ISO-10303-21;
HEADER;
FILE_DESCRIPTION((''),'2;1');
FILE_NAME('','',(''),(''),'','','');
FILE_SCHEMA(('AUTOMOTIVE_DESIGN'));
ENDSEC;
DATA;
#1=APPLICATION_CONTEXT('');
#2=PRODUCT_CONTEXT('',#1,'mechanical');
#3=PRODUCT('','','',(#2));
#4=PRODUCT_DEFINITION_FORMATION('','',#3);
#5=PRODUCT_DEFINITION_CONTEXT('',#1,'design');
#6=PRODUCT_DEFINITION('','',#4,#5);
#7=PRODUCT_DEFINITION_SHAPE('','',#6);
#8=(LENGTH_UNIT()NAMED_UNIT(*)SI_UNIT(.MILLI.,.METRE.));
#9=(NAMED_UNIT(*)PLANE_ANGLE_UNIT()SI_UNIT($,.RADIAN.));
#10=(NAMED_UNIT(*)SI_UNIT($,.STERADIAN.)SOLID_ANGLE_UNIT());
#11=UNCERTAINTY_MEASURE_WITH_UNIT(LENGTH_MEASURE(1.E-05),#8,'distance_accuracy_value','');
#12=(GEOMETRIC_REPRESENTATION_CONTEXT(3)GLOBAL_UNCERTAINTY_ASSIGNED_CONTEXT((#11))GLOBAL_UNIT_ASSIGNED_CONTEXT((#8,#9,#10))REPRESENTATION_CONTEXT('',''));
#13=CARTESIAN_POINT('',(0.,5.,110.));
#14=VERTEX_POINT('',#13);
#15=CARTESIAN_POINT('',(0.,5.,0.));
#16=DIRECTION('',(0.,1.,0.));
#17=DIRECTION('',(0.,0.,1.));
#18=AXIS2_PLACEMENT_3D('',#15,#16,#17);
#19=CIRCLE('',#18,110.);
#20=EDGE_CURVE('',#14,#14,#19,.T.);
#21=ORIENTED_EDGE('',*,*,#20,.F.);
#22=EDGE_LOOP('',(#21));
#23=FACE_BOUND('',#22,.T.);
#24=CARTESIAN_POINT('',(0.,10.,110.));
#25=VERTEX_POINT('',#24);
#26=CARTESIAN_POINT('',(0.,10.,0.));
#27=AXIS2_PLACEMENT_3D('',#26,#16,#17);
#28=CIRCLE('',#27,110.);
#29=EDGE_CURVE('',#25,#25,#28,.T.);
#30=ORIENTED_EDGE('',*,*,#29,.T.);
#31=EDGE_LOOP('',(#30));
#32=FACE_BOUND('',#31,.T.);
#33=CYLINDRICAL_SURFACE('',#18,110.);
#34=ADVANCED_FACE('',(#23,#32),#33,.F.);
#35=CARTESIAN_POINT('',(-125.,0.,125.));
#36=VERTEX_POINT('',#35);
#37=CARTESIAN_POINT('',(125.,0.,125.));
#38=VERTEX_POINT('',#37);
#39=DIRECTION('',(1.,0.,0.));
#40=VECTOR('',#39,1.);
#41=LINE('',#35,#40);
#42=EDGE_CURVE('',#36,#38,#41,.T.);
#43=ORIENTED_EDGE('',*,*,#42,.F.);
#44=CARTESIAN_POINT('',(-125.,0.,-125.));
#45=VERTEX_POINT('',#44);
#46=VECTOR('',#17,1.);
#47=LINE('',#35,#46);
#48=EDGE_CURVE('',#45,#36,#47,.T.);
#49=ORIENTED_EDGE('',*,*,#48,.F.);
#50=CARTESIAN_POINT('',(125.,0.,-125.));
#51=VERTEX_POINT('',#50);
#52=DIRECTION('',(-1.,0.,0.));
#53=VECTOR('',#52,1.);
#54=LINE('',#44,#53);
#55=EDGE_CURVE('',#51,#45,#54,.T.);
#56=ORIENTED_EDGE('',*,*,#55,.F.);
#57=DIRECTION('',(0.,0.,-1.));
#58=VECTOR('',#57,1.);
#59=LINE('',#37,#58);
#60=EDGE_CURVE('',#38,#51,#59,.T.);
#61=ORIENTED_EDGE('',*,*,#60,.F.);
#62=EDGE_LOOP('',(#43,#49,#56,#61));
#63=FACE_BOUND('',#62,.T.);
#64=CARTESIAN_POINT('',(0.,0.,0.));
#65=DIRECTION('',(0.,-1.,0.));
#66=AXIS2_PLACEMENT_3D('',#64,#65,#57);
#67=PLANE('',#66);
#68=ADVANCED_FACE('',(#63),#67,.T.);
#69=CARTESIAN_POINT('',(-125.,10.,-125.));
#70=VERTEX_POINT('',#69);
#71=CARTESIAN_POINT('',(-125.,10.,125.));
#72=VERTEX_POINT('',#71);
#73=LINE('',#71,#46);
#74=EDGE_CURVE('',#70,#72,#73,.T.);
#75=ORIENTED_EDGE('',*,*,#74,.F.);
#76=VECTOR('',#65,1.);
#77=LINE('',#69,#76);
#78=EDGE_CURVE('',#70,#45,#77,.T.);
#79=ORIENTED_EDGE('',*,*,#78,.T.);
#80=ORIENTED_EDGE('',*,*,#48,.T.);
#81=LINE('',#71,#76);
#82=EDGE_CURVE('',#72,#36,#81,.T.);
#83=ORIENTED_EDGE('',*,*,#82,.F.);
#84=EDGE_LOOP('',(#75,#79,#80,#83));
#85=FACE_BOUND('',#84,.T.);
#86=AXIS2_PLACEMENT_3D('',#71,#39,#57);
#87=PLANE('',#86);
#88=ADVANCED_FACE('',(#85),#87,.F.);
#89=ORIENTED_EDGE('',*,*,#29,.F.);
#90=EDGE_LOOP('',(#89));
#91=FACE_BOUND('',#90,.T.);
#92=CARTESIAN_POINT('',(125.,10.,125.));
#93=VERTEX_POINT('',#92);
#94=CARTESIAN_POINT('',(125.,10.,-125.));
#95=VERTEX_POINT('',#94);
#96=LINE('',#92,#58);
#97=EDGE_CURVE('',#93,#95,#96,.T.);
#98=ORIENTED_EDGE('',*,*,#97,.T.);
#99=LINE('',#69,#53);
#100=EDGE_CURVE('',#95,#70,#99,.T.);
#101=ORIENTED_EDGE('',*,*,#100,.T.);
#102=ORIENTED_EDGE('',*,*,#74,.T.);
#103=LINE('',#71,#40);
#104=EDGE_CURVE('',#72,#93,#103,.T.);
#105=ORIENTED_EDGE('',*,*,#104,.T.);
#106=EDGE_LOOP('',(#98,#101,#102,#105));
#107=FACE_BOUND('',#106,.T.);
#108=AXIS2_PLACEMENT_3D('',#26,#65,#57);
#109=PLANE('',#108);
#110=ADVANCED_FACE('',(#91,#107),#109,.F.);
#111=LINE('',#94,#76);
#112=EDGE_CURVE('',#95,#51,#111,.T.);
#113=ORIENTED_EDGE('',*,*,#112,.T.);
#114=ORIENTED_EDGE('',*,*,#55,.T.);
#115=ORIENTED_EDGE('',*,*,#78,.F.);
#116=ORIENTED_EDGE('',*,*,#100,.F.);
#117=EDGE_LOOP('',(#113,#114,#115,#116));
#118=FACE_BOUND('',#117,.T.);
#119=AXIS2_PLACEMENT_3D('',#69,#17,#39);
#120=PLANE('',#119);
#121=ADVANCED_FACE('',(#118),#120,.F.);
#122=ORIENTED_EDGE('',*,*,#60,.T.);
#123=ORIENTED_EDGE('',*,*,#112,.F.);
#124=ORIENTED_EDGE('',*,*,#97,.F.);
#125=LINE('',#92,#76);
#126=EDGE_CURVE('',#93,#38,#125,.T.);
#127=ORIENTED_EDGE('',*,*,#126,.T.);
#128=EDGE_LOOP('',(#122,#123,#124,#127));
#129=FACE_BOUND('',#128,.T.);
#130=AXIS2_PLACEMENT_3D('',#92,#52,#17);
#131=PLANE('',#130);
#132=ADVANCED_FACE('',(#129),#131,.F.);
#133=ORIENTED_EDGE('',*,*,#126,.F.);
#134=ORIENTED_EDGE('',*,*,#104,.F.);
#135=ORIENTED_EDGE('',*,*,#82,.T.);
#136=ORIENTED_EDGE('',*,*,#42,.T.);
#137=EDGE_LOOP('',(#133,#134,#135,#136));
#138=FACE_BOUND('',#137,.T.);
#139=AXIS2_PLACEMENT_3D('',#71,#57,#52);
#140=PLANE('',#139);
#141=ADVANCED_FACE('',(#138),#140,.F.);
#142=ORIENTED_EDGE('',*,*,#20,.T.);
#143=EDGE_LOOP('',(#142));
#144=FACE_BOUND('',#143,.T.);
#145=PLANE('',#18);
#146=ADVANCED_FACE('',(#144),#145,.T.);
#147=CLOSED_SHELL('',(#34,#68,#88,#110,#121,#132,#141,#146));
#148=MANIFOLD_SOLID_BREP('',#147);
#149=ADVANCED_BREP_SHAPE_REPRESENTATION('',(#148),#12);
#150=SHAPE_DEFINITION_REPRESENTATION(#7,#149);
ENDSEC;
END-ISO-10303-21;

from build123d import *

# Parameters (mm, degrees)
SKETCH1_W           = 250
SKETCH1_H           = 250
BOSS_EXTRUDE1_DEPTH = 10
SKETCH2_R           = 110
CUT_EXTRUDE1_DEPTH  = 5


with BuildPart() as part:
    # Sketch1 → Boss-Extrude1 (new body)
    with BuildSketch(Plane(origin=(0, 0, 0), x_dir=(1, 0, 0), z_dir=(0, 1, 0))):
        Rectangle(SKETCH1_W, SKETCH1_H)
    extrude(amount=BOSS_EXTRUDE1_DEPTH)

    # Sketch2 → Cut-Extrude1 (cut)
    with BuildSketch(Plane(origin=(0, 10, 0), x_dir=(1, 0, 0), z_dir=(0, 1, 0))):
        with Locations(Location((0, 0, 0), (0, 0, 270))):
            Circle(SKETCH2_R)
    extrude(amount=-CUT_EXTRUDE1_DEPTH, mode=Mode.SUBTRACT)


solid = part.part
